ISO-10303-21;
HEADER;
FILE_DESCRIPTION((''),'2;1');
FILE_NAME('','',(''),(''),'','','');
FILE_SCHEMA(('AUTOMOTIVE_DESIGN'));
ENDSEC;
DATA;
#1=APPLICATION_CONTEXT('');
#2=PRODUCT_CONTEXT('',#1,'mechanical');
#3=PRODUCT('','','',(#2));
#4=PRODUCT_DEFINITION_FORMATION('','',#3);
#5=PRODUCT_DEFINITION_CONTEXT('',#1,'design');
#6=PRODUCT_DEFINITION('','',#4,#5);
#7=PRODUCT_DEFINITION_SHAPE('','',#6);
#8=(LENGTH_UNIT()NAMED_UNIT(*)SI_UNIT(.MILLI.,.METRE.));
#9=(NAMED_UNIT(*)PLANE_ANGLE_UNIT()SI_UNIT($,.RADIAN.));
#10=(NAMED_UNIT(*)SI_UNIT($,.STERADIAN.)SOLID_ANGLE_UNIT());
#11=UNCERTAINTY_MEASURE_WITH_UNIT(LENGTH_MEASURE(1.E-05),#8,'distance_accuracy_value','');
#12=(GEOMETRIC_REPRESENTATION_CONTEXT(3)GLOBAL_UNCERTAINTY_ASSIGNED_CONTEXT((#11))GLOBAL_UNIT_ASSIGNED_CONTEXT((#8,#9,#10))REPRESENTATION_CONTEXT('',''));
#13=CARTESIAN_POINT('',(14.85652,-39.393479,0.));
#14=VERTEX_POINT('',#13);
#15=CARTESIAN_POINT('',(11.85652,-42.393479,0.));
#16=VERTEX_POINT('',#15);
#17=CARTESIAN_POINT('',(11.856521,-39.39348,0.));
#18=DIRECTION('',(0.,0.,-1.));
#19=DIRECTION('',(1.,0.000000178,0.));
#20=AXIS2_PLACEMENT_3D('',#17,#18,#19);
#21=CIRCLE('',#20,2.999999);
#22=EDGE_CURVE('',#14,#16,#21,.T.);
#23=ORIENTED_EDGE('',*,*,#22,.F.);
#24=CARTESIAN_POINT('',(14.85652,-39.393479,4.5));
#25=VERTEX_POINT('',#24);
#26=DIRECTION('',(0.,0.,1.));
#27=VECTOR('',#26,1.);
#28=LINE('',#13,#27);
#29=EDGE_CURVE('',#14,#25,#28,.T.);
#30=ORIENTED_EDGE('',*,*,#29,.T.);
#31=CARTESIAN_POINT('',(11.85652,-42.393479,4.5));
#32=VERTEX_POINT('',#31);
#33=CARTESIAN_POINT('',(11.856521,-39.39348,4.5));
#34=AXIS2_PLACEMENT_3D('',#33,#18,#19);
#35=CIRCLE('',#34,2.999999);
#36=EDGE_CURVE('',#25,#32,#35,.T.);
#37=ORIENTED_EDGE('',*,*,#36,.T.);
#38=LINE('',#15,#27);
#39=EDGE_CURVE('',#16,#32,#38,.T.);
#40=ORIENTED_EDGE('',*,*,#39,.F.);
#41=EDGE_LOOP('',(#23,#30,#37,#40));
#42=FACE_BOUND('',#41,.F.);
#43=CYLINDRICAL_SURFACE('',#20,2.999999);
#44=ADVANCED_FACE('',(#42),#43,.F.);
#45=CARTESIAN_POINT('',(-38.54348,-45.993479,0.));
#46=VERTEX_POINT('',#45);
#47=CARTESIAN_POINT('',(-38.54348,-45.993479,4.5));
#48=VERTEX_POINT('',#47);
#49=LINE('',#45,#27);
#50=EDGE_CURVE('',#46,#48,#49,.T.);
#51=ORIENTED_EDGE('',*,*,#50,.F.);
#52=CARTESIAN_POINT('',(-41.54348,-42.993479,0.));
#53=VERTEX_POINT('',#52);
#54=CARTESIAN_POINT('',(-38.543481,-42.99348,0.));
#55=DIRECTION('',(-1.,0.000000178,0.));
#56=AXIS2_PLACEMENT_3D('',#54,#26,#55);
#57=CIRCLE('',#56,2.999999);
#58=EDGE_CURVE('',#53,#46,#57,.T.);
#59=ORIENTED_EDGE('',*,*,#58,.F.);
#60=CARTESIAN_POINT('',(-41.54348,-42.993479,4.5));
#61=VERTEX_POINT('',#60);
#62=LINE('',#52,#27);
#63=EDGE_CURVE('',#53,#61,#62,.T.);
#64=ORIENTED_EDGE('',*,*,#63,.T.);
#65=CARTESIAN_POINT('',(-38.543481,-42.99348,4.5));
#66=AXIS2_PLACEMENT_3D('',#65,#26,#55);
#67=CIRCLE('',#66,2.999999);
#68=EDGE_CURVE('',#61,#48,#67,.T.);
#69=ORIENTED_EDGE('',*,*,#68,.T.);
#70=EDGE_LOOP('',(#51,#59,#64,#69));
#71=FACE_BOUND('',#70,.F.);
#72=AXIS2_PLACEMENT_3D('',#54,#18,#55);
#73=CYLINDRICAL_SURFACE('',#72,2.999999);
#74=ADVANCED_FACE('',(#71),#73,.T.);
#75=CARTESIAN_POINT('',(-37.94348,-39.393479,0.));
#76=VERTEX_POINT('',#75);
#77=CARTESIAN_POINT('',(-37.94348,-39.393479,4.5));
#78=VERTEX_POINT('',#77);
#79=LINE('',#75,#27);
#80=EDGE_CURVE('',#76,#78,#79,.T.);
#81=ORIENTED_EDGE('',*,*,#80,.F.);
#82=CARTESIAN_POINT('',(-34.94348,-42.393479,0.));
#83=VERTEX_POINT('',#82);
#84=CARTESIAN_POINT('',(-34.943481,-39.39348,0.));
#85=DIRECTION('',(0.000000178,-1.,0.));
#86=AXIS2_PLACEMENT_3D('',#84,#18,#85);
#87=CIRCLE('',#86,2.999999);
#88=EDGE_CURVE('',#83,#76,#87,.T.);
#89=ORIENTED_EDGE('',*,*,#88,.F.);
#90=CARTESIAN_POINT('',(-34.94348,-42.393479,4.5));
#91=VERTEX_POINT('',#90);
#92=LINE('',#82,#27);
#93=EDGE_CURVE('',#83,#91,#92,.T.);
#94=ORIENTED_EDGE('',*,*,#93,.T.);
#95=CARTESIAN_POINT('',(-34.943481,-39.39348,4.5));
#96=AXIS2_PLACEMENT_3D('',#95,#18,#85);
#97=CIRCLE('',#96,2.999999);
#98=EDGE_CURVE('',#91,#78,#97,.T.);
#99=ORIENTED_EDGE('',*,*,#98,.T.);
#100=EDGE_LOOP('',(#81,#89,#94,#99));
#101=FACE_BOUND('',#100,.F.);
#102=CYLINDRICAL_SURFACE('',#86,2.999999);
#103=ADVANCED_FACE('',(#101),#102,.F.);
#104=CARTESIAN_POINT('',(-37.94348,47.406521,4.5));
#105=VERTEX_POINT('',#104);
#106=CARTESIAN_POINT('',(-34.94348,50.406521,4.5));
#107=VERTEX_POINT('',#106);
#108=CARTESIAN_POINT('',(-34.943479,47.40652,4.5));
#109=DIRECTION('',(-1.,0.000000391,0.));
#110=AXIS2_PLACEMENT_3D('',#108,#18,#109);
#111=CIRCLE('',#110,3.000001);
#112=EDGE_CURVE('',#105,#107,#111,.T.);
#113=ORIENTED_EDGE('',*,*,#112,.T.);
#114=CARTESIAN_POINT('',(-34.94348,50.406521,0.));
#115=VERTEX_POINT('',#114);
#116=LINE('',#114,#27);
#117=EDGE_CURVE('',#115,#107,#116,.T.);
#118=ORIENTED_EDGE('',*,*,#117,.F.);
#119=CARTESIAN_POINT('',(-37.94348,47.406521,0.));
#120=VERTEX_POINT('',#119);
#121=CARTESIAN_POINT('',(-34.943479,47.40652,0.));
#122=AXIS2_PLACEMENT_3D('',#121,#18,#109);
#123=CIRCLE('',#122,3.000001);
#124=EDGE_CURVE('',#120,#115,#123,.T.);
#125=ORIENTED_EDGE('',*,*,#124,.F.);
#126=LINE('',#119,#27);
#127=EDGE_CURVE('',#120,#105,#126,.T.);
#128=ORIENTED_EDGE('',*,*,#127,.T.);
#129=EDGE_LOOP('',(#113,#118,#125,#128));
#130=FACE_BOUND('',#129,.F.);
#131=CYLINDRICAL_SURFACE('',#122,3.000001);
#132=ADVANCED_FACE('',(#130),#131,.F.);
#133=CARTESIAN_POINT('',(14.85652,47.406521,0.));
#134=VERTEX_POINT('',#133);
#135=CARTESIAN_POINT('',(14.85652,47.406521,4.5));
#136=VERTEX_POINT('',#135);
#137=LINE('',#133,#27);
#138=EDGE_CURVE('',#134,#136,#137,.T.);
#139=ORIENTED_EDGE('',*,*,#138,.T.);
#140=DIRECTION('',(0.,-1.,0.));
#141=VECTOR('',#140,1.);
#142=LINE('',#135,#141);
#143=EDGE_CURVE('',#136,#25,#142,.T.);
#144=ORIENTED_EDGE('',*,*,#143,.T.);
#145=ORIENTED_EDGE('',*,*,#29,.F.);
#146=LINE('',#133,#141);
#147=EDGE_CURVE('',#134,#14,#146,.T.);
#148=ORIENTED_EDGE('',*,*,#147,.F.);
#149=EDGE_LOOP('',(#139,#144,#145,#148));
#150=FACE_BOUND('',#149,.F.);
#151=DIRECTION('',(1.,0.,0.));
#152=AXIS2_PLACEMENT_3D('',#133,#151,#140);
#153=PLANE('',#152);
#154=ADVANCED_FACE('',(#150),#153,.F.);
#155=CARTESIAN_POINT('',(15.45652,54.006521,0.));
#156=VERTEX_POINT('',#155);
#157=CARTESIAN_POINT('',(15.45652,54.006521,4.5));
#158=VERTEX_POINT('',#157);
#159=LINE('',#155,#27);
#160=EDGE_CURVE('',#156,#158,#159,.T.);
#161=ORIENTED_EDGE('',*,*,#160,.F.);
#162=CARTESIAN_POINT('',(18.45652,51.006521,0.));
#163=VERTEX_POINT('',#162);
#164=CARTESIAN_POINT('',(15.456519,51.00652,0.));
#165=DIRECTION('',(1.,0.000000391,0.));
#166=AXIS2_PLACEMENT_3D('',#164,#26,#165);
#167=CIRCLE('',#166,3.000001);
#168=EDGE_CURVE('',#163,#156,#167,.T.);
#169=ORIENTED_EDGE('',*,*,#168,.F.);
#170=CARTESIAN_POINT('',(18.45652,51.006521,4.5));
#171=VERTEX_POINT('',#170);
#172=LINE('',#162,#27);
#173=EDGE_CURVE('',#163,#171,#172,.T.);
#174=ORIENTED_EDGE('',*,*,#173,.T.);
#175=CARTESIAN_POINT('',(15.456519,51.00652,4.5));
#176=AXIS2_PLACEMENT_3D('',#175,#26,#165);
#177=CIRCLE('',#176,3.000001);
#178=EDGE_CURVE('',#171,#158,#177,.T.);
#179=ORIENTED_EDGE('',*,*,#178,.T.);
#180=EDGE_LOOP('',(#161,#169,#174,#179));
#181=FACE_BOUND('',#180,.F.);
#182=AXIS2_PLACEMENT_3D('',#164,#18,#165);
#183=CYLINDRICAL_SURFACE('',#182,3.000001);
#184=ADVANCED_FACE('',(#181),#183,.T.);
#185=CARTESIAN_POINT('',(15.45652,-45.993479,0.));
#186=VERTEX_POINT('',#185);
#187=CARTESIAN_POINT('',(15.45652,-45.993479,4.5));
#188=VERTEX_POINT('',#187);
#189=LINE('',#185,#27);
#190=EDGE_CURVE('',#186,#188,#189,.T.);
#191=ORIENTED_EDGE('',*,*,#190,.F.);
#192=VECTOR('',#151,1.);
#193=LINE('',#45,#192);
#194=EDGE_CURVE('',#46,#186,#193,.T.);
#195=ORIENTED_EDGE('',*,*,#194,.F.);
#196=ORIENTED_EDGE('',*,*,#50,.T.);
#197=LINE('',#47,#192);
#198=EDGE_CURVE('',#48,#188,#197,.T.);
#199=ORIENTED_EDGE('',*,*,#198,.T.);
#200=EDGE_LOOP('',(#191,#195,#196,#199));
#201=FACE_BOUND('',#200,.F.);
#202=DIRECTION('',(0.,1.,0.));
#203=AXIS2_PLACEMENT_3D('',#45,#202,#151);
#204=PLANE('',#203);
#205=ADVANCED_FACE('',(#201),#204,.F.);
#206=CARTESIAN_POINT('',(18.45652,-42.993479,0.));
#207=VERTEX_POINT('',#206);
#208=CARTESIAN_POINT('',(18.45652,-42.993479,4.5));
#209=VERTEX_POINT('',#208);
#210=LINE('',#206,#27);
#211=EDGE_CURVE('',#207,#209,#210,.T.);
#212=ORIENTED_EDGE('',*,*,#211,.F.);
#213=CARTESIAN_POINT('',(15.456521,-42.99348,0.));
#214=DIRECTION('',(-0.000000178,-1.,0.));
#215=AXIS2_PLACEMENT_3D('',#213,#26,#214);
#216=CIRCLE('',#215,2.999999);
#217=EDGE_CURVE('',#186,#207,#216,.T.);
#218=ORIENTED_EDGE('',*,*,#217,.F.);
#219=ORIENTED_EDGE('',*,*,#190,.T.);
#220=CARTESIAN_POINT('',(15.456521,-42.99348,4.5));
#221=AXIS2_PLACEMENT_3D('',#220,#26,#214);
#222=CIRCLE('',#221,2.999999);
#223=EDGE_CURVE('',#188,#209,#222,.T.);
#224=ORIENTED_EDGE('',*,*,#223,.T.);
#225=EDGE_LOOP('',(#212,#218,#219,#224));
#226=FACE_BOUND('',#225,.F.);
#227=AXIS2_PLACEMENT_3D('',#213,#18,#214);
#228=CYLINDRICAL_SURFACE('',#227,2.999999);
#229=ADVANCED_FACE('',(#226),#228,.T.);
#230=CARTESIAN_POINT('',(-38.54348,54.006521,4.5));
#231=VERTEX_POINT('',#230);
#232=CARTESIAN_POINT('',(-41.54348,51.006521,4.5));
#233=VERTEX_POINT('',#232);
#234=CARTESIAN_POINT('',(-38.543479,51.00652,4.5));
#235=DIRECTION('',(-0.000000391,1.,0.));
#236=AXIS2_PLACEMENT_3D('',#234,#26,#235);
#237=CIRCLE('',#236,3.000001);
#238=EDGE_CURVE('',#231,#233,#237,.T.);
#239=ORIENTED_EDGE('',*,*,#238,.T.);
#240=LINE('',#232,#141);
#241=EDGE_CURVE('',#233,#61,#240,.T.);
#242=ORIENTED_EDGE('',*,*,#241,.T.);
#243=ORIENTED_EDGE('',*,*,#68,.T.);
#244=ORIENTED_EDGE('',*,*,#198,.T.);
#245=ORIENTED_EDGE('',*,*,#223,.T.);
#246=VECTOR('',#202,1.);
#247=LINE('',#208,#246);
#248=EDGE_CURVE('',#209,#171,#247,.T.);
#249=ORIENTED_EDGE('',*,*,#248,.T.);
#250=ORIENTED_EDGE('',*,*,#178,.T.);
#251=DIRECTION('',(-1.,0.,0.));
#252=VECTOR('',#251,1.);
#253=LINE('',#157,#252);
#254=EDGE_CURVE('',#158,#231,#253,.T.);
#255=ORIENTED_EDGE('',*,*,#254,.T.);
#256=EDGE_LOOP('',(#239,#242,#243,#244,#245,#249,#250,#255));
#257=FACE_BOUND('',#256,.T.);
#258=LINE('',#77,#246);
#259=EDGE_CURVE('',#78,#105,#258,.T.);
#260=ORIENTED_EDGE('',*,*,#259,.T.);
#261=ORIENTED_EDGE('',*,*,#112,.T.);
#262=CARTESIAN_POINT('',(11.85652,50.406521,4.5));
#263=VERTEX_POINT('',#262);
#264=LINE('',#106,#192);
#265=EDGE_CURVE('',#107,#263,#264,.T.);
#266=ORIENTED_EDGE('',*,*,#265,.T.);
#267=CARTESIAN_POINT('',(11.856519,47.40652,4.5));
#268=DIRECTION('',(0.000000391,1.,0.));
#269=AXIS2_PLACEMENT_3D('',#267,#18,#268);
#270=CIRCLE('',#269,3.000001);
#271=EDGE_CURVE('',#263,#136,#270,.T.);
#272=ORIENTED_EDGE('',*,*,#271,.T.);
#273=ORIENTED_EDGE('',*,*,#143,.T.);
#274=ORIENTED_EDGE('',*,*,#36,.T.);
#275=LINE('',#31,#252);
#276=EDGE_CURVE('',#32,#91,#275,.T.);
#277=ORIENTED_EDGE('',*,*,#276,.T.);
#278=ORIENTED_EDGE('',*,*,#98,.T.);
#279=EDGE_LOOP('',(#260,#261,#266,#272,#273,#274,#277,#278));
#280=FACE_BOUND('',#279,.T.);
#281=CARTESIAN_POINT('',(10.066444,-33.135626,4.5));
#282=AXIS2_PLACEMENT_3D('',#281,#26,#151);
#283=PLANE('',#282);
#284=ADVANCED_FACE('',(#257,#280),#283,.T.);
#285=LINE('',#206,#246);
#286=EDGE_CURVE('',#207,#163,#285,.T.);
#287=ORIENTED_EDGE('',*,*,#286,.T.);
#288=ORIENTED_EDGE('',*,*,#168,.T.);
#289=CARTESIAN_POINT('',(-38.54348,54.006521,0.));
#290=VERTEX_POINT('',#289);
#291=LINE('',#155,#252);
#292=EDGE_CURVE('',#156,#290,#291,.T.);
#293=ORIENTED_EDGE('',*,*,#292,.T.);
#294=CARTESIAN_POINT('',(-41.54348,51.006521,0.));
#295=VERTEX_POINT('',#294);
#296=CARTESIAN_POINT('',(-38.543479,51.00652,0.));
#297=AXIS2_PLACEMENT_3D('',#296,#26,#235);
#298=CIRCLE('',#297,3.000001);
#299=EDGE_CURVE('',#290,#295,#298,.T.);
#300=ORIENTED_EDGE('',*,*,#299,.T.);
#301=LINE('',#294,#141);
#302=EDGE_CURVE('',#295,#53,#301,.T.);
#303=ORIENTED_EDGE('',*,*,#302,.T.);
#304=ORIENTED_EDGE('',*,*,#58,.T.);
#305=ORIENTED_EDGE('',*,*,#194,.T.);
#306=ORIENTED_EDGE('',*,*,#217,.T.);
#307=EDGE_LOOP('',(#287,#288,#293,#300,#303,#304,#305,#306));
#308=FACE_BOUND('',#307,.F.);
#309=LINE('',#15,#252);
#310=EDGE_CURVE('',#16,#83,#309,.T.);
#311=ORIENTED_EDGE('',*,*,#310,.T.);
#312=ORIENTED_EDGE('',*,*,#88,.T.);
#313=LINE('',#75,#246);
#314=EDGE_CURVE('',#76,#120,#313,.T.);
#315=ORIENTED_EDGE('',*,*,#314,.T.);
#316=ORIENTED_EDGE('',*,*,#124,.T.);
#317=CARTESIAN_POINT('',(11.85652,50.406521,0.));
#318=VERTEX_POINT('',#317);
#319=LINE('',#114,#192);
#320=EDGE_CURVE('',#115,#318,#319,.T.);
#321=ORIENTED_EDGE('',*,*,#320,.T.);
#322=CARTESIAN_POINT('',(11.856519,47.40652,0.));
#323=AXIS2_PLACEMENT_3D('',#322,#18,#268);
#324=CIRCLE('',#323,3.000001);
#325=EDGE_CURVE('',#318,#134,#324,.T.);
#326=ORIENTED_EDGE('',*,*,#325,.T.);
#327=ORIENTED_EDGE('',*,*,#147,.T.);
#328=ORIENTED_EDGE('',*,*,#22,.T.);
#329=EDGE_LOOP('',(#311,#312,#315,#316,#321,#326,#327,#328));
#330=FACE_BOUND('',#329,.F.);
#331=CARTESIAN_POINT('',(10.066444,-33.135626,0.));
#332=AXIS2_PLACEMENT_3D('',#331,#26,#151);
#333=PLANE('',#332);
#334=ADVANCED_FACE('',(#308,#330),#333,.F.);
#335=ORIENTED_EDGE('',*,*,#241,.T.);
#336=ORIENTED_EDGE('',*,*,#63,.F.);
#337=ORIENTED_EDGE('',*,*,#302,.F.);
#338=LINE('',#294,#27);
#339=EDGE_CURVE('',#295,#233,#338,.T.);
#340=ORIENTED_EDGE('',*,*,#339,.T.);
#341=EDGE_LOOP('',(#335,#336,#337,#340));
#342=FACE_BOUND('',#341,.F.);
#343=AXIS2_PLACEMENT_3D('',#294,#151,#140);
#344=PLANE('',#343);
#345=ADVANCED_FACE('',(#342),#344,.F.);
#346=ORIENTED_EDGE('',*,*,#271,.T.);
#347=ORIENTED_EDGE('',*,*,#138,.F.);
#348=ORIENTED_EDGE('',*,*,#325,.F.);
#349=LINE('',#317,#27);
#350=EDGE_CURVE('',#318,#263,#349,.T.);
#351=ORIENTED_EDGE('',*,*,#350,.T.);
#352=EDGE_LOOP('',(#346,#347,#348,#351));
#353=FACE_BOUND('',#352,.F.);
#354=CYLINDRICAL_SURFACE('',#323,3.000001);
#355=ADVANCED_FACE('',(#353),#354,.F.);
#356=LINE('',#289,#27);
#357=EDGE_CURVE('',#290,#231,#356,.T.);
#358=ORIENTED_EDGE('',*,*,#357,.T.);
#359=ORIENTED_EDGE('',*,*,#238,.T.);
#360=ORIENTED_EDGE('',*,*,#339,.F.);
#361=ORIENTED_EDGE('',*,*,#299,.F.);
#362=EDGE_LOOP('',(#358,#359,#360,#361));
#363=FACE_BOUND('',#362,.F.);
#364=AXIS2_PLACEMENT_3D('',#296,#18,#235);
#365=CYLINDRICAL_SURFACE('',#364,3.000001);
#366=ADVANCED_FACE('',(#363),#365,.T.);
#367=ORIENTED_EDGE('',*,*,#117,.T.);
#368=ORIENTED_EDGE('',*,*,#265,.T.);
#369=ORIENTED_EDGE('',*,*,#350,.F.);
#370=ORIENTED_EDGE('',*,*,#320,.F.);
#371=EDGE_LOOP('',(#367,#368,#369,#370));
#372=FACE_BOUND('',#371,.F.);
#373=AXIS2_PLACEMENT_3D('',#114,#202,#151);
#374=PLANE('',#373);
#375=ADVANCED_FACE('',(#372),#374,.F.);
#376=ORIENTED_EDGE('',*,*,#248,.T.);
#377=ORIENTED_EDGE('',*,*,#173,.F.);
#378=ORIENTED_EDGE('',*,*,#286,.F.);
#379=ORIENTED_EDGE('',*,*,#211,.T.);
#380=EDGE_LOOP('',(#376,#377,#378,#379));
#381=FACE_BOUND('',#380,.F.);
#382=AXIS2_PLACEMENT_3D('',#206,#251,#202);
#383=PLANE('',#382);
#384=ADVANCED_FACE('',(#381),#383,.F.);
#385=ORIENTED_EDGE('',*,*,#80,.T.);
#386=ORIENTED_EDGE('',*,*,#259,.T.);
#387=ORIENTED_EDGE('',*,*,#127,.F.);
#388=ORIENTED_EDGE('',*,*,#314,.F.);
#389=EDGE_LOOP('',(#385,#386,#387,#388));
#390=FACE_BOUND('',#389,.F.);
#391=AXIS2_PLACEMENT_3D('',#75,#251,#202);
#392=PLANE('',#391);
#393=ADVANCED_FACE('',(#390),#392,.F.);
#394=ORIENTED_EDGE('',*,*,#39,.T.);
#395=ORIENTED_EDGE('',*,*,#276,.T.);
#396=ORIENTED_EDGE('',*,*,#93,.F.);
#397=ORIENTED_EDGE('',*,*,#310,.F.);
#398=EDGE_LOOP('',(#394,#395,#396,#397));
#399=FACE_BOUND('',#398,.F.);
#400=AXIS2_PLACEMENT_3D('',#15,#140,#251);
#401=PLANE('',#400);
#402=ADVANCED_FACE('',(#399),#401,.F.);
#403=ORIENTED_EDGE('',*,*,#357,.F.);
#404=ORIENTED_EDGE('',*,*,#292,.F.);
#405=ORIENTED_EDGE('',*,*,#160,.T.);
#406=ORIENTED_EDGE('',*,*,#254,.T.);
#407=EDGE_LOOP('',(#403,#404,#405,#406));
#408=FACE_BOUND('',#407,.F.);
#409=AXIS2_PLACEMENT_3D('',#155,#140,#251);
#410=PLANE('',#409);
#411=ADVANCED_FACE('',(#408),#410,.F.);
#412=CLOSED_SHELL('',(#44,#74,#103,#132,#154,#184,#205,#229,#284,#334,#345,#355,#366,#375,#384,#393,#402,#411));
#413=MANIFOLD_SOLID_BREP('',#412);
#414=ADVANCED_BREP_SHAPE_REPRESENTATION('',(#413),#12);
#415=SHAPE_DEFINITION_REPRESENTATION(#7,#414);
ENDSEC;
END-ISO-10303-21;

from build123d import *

# Parameters (mm, degrees)
F1_DEPTH = 4.5


with BuildPart() as f1:
    # F0 (on Top) → F1 (new body)
    with BuildSketch(Plane.XY):
        with BuildLine():
            Line((18.45652, -42.993479), (18.45652, -7.232222))
            Line((18.45652, -7.232222), (14.85652, -7.232222))
            Line((14.85652, -7.232222), (14.85652, -39.393479))
            ThreePointArc((14.85652, -39.393479), (13.97784, -41.5148), (11.85652, -42.393479))
            Line((11.85652, -42.393479), (-11.54348, -42.393479))
            Line((-11.54348, -42.393479), (-11.54348, -45.993479))
            Line((-11.54348, -45.993479), (15.45652, -45.993479))
            ThreePointArc((15.45652, -45.993479), (17.57784, -45.1148), (18.45652, -42.993479))
        make_face()
        with BuildLine():
            Line((-37.94348, 5.957209), (-41.54348, 5.957209))
            Line((-41.54348, 5.957209), (-41.54348, -42.993479))
            ThreePointArc((-41.54348, -42.993479), (-40.6648, -45.1148), (-38.54348, -45.993479))
            Line((-38.54348, -45.993479), (-11.54348, -45.993479))
            Line((-11.54348, -45.993479), (-11.54348, -42.393479))
            Line((-11.54348, -42.393479), (-34.94348, -42.393479))
            ThreePointArc((-34.94348, -42.393479), (-37.0648, -41.5148), (-37.94348, -39.393479))
            Line((-37.94348, -39.393479), (-37.94348, 5.957209))
        make_face()
        with BuildLine():
            Line((15.45652, 54.006521), (-11.54348, 54.006521))
            Line((-11.54348, 54.006521), (-11.54348, 50.406521))
            Line((-11.54348, 50.406521), (11.85652, 50.406521))
            ThreePointArc((11.85652, 50.406521), (13.97784, 49.527841), (14.85652, 47.406521))
            Line((14.85652, 47.406521), (14.85652, -7.232222))
            Line((14.85652, -7.232222), (18.45652, -7.232222))
            Line((18.45652, -7.232222), (18.45652, 51.006521))
            ThreePointArc((18.45652, 51.006521), (17.57784, 53.127841), (15.45652, 54.006521))
        make_face()
        with BuildLine():
            Line((-11.54348, 54.006521), (-38.54348, 54.006521))
            ThreePointArc((-38.54348, 54.006521), (-40.6648, 53.127841), (-41.54348, 51.006521))
            Line((-41.54348, 51.006521), (-41.54348, 5.957209))
            Line((-41.54348, 5.957209), (-37.94348, 5.957209))
            Line((-37.94348, 5.957209), (-37.94348, 47.406521))
            ThreePointArc((-37.94348, 47.406521), (-37.0648, 49.527841), (-34.94348, 50.406521))
            Line((-34.94348, 50.406521), (-11.54348, 50.406521))
            Line((-11.54348, 50.406521), (-11.54348, 54.006521))
        make_face()
    extrude(amount=F1_DEPTH)


solid = f1.part
